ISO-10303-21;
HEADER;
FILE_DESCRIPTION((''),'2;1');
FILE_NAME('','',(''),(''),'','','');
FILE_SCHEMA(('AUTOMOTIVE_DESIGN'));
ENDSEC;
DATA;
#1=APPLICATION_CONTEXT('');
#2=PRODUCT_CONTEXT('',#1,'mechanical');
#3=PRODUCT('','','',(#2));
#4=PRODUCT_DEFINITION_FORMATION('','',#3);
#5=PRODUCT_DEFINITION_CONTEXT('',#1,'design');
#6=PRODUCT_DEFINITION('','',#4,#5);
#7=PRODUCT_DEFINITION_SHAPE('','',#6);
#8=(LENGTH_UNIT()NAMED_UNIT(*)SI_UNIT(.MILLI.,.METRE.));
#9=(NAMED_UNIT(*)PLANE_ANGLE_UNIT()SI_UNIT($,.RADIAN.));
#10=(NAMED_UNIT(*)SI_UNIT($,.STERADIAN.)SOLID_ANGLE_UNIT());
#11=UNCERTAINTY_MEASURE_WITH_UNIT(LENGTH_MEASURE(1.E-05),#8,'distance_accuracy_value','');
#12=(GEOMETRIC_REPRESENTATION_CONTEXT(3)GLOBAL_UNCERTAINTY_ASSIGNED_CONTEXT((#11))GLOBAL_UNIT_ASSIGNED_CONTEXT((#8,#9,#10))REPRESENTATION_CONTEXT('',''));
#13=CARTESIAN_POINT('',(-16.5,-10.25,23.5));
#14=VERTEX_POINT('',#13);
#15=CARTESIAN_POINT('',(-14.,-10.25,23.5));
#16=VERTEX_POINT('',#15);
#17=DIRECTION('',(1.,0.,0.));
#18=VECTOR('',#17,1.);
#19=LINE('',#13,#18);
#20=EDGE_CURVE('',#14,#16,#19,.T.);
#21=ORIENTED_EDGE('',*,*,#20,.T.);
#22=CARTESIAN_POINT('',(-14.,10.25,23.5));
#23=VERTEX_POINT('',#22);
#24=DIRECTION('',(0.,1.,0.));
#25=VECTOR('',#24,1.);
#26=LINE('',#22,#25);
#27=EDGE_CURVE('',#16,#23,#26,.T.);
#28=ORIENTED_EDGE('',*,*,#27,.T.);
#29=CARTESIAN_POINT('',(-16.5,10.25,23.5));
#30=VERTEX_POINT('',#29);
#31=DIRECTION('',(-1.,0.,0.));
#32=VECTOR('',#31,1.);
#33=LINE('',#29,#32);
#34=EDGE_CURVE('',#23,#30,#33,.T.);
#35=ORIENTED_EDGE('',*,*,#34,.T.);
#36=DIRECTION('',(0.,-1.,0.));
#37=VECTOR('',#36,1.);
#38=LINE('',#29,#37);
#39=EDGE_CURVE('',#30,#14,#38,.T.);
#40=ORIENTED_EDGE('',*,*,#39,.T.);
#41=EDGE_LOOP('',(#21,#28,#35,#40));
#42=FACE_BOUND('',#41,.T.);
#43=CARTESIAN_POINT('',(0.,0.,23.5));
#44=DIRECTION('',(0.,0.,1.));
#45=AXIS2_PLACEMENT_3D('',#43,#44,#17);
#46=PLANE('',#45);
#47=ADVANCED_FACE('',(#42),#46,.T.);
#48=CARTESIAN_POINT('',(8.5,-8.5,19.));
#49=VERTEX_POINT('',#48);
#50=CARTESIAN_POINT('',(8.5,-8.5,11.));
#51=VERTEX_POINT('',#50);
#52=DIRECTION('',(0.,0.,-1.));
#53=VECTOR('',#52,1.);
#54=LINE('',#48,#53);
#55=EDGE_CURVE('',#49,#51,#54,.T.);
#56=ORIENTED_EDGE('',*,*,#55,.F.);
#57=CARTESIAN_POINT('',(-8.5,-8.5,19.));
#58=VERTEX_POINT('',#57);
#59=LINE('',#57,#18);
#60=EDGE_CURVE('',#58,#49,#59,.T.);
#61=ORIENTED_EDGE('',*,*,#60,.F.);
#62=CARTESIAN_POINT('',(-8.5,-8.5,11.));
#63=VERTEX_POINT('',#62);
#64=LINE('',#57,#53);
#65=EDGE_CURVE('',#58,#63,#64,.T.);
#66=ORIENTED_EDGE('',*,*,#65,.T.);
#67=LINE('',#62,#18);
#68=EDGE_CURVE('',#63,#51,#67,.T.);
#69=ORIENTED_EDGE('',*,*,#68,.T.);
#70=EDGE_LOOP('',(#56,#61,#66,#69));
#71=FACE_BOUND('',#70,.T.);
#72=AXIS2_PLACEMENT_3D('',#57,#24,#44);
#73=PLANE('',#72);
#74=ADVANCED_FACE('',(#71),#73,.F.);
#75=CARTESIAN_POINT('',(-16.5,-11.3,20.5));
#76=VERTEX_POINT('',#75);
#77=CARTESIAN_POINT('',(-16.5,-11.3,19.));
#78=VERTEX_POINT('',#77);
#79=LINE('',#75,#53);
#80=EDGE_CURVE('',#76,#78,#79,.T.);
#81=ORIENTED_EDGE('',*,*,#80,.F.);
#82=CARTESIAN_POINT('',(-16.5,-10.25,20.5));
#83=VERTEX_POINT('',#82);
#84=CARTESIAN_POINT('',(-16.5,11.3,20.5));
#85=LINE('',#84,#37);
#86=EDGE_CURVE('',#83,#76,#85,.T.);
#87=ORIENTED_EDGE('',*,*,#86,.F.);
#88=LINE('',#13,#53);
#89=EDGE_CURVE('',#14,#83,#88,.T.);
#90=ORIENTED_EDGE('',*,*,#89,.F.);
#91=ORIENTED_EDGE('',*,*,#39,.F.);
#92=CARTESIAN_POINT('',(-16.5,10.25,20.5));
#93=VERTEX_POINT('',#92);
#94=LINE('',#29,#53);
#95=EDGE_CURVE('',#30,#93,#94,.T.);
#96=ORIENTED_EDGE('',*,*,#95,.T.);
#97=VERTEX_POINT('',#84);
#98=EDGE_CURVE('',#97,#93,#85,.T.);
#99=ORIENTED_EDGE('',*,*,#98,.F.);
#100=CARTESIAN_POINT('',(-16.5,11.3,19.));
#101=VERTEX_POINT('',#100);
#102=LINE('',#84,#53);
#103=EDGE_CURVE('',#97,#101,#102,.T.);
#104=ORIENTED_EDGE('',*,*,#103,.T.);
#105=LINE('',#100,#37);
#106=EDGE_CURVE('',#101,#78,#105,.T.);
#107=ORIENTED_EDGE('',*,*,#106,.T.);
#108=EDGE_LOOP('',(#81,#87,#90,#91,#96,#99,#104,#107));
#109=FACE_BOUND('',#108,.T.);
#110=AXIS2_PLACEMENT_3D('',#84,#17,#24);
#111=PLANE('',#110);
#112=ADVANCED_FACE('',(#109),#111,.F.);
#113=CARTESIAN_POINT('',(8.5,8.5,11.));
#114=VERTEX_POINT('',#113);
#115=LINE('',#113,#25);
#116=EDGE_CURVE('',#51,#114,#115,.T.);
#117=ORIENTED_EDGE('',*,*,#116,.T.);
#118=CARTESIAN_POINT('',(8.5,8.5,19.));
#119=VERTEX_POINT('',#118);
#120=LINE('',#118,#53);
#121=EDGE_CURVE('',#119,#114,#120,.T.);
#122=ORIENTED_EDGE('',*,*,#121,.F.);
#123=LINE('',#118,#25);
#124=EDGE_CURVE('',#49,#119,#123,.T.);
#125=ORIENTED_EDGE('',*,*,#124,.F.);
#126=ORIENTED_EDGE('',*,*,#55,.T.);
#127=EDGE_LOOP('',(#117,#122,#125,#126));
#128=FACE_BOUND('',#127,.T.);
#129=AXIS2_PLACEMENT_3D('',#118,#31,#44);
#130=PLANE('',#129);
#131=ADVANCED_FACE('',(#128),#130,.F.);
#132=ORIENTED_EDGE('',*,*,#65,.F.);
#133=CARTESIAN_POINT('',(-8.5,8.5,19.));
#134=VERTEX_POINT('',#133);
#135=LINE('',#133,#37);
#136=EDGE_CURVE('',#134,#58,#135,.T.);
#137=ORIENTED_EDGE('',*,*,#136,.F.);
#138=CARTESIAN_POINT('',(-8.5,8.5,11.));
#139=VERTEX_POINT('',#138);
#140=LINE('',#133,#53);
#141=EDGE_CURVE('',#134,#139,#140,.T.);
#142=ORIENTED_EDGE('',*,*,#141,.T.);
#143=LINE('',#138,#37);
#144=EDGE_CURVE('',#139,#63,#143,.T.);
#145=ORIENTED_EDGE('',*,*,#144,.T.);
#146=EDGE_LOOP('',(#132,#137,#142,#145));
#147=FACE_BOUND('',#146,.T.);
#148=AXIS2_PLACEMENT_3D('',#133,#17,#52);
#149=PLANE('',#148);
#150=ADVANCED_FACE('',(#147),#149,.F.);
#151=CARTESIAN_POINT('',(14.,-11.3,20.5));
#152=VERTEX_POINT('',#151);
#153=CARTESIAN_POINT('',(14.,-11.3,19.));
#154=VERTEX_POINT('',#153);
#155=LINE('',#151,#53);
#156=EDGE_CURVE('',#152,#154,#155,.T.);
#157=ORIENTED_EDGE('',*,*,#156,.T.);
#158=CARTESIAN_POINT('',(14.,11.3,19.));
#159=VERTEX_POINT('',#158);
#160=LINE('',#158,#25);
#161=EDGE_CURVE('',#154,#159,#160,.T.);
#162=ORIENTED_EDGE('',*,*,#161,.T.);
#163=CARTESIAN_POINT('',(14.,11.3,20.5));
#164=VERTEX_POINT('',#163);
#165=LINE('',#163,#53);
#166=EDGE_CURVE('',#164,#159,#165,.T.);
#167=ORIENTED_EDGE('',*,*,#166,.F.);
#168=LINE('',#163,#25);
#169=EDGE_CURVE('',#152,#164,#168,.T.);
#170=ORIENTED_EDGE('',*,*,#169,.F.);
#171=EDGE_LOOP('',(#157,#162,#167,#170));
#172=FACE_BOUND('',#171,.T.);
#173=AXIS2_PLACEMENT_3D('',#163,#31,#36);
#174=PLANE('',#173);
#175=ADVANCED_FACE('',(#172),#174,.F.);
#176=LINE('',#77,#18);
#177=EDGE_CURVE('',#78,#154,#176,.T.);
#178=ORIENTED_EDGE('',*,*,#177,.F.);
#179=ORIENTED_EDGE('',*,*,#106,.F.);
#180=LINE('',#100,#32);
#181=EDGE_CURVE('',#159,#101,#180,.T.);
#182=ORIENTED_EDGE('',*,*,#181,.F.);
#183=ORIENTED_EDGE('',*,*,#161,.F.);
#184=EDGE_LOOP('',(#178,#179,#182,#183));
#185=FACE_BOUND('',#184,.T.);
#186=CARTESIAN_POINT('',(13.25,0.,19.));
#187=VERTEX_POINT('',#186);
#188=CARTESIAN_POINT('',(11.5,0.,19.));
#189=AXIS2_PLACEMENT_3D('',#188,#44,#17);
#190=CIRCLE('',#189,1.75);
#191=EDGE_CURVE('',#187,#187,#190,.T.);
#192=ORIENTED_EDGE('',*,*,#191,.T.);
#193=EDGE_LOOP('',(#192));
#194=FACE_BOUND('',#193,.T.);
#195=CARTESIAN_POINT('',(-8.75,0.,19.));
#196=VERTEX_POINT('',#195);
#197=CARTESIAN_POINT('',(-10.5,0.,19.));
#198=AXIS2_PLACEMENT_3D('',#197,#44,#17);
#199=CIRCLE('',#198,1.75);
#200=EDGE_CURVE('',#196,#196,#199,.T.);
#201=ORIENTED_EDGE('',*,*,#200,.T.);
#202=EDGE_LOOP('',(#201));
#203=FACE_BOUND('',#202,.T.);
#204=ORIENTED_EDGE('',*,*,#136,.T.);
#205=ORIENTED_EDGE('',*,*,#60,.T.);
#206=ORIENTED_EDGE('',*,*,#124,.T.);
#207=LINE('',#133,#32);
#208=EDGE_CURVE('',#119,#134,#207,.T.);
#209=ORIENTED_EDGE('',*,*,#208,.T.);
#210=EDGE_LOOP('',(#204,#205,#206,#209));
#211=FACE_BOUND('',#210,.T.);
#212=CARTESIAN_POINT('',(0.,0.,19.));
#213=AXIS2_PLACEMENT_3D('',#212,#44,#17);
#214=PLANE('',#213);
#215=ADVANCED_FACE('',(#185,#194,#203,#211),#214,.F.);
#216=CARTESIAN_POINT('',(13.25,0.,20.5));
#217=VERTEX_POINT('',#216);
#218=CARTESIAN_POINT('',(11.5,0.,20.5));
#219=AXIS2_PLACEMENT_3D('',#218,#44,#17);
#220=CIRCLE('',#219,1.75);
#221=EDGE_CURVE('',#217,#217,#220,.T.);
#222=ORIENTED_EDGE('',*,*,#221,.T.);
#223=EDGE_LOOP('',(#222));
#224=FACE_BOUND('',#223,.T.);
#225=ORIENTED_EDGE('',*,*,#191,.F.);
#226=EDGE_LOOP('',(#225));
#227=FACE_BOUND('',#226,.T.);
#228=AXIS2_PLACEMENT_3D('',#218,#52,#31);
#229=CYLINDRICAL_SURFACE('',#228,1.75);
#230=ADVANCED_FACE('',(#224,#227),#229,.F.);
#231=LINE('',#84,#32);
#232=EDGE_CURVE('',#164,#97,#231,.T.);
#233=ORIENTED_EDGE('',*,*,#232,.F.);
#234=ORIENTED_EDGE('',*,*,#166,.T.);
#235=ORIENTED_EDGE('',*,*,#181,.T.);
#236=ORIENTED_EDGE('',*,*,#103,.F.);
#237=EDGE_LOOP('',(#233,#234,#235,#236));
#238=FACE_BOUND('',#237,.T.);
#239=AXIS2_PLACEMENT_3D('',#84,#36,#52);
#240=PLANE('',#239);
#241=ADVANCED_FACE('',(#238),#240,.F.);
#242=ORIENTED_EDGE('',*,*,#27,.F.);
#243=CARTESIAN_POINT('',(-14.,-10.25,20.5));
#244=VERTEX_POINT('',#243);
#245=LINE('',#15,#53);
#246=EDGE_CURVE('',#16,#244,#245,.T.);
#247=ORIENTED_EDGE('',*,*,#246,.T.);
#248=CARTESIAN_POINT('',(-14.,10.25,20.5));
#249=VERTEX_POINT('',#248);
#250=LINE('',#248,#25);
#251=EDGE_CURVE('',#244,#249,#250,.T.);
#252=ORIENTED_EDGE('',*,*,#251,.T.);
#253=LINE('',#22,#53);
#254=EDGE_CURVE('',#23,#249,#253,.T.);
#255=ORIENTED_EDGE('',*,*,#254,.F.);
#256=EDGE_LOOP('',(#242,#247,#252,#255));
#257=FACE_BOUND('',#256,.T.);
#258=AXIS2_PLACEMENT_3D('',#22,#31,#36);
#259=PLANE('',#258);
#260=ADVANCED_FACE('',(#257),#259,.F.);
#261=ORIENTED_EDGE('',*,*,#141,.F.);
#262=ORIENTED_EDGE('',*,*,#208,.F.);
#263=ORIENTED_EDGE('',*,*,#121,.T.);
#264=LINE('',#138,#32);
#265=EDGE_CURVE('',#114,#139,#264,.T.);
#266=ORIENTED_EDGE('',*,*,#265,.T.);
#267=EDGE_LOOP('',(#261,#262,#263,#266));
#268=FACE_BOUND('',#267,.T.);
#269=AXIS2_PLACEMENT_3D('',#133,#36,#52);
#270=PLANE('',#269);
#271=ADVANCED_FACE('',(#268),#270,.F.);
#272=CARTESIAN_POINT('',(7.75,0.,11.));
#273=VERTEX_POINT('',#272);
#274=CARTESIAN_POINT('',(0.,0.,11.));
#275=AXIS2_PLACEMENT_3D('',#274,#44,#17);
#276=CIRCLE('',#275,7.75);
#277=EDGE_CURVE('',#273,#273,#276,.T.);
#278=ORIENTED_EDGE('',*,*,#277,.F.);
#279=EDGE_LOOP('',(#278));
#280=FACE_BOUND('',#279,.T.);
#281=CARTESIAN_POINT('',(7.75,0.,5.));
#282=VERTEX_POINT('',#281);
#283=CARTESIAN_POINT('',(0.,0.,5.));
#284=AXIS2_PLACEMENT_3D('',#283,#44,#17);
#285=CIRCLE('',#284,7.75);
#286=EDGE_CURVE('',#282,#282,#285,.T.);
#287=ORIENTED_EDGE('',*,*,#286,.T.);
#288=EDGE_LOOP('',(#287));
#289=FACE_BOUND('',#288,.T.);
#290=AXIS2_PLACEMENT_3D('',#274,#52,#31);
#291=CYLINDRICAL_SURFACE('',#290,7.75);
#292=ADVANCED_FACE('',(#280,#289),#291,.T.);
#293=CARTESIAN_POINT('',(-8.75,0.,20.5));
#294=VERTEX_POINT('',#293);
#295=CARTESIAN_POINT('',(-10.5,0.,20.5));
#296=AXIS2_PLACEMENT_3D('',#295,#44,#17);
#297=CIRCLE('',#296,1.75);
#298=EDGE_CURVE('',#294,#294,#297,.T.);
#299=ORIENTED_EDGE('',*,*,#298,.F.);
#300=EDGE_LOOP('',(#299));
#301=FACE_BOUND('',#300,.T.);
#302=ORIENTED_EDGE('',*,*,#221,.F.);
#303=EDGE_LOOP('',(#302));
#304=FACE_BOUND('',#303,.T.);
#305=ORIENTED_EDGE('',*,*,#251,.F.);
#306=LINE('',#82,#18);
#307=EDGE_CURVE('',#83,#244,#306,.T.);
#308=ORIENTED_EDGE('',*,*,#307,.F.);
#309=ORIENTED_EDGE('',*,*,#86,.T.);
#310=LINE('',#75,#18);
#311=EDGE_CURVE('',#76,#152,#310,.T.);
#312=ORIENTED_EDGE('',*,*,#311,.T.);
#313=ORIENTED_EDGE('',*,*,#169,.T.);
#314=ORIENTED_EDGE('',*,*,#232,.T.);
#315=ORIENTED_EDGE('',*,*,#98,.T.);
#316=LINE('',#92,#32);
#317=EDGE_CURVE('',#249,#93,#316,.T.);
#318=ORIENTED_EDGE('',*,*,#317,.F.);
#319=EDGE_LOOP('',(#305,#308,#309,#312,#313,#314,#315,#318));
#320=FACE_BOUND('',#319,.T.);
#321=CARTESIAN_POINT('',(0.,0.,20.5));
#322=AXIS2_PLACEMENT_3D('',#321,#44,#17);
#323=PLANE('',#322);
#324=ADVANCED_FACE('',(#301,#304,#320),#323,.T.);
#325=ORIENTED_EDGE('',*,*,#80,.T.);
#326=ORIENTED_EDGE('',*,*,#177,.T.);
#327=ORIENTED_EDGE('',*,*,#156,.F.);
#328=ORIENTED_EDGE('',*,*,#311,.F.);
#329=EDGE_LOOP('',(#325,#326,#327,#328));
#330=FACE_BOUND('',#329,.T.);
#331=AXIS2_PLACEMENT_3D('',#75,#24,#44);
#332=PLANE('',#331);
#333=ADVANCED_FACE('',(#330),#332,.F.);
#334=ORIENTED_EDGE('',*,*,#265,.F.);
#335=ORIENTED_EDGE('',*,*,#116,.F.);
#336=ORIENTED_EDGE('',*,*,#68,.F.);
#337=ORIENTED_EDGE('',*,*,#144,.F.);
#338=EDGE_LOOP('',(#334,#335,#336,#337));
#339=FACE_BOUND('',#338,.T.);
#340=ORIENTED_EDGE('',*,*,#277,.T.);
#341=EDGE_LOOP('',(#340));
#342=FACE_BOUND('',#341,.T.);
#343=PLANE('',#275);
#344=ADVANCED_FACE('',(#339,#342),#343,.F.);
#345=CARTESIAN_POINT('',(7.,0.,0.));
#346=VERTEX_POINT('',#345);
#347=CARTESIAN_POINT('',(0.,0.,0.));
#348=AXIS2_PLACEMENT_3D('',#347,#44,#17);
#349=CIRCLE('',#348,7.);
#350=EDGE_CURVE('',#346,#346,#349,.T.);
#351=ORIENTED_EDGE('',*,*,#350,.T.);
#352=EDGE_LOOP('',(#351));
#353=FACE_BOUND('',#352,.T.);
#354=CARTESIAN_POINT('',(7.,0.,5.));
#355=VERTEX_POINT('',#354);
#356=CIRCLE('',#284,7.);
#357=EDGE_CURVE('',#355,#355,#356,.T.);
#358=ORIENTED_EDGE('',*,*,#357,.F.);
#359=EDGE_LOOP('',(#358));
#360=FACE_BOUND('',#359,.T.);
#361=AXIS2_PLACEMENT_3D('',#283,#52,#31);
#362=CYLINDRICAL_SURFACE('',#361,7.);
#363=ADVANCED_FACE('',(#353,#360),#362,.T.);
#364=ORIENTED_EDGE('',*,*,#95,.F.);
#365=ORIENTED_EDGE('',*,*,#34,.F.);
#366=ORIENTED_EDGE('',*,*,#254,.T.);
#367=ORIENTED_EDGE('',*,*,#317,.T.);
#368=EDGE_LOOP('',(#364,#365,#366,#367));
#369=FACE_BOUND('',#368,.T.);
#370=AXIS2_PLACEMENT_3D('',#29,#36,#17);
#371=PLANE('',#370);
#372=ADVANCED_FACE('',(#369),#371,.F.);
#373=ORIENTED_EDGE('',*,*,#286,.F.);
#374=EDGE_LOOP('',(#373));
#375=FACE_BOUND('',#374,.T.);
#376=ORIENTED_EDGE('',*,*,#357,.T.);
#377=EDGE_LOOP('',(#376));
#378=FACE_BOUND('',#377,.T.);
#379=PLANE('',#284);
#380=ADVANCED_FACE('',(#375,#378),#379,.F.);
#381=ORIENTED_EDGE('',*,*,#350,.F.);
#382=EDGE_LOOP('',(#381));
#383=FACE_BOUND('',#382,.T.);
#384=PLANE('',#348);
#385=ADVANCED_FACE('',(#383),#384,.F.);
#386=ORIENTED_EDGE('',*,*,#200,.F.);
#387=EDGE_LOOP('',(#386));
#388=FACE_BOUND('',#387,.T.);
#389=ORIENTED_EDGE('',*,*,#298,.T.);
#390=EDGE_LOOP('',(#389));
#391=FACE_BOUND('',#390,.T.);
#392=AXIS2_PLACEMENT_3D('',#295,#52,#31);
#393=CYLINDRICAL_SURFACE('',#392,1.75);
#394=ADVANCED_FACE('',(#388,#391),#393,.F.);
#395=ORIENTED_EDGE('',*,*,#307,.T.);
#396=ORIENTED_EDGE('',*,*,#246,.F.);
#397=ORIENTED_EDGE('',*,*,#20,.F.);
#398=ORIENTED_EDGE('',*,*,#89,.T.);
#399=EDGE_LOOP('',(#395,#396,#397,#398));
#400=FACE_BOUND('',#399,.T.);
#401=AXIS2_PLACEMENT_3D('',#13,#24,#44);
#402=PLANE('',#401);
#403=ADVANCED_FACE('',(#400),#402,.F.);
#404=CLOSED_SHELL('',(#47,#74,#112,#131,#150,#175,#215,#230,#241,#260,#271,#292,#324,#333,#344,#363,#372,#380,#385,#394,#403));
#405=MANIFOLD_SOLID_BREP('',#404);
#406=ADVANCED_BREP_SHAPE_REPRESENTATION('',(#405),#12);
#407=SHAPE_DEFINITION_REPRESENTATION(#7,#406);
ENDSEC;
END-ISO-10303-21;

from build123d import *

# Parameters (mm, degrees)
SKETCH_1_R      = 7
EXTRUDE_1_DEPTH = 5
SKETCH_2_R      = 7.75
EXTRUDE_2_DEPTH = 6
SKETCH_3_W      = 17
SKETCH_3_H      = 17
EXTRUDE_3_DEPTH = 8
SKETCH_4_W      = 30.5
SKETCH_4_H      = 22.6
SKETCH_4_R      = 1.75
EXTRUDE_4_DEPTH = 1.5
SKETCH_5_W      = 2.5
SKETCH_5_H      = 20.5
EXTRUDE_5_DEPTH = 3


with BuildPart() as part:
    # 草图1 → 凸台-拉伸1 (new body)
    with BuildSketch(Plane.XY):
        Circle(SKETCH_1_R)
    extrude(amount=EXTRUDE_1_DEPTH)

    # 草图2 → 凸台-拉伸2 (add)
    with BuildSketch(Plane.XY.offset(5)):
        Circle(SKETCH_2_R)
    extrude(amount=EXTRUDE_2_DEPTH)

    # 草图3 → 凸台-拉伸3 (add)
    with BuildSketch(Plane.XY.offset(11)):
        Rectangle(SKETCH_3_W, SKETCH_3_H)
    extrude(amount=EXTRUDE_3_DEPTH)

    # 草图4 → 凸台-拉伸4 (add)
    with BuildSketch(Plane.XY.offset(19)):
        with Locations((-1.25, 0)):
            Rectangle(SKETCH_4_W, SKETCH_4_H)
        with Locations((11.5, 0)):
            Circle(SKETCH_4_R, mode=Mode.SUBTRACT)
        with Locations((-10.5, 0)):
            Circle(SKETCH_4_R, mode=Mode.SUBTRACT)
    extrude(amount=EXTRUDE_4_DEPTH)

    # 草图5 → 凸台-拉伸5 (add)
    with BuildSketch(Plane.XY.offset(20.5)):
        with Locations((-15.25, 0)):
            Rectangle(SKETCH_5_W, SKETCH_5_H)
    extrude(amount=EXTRUDE_5_DEPTH)


solid = part.part
